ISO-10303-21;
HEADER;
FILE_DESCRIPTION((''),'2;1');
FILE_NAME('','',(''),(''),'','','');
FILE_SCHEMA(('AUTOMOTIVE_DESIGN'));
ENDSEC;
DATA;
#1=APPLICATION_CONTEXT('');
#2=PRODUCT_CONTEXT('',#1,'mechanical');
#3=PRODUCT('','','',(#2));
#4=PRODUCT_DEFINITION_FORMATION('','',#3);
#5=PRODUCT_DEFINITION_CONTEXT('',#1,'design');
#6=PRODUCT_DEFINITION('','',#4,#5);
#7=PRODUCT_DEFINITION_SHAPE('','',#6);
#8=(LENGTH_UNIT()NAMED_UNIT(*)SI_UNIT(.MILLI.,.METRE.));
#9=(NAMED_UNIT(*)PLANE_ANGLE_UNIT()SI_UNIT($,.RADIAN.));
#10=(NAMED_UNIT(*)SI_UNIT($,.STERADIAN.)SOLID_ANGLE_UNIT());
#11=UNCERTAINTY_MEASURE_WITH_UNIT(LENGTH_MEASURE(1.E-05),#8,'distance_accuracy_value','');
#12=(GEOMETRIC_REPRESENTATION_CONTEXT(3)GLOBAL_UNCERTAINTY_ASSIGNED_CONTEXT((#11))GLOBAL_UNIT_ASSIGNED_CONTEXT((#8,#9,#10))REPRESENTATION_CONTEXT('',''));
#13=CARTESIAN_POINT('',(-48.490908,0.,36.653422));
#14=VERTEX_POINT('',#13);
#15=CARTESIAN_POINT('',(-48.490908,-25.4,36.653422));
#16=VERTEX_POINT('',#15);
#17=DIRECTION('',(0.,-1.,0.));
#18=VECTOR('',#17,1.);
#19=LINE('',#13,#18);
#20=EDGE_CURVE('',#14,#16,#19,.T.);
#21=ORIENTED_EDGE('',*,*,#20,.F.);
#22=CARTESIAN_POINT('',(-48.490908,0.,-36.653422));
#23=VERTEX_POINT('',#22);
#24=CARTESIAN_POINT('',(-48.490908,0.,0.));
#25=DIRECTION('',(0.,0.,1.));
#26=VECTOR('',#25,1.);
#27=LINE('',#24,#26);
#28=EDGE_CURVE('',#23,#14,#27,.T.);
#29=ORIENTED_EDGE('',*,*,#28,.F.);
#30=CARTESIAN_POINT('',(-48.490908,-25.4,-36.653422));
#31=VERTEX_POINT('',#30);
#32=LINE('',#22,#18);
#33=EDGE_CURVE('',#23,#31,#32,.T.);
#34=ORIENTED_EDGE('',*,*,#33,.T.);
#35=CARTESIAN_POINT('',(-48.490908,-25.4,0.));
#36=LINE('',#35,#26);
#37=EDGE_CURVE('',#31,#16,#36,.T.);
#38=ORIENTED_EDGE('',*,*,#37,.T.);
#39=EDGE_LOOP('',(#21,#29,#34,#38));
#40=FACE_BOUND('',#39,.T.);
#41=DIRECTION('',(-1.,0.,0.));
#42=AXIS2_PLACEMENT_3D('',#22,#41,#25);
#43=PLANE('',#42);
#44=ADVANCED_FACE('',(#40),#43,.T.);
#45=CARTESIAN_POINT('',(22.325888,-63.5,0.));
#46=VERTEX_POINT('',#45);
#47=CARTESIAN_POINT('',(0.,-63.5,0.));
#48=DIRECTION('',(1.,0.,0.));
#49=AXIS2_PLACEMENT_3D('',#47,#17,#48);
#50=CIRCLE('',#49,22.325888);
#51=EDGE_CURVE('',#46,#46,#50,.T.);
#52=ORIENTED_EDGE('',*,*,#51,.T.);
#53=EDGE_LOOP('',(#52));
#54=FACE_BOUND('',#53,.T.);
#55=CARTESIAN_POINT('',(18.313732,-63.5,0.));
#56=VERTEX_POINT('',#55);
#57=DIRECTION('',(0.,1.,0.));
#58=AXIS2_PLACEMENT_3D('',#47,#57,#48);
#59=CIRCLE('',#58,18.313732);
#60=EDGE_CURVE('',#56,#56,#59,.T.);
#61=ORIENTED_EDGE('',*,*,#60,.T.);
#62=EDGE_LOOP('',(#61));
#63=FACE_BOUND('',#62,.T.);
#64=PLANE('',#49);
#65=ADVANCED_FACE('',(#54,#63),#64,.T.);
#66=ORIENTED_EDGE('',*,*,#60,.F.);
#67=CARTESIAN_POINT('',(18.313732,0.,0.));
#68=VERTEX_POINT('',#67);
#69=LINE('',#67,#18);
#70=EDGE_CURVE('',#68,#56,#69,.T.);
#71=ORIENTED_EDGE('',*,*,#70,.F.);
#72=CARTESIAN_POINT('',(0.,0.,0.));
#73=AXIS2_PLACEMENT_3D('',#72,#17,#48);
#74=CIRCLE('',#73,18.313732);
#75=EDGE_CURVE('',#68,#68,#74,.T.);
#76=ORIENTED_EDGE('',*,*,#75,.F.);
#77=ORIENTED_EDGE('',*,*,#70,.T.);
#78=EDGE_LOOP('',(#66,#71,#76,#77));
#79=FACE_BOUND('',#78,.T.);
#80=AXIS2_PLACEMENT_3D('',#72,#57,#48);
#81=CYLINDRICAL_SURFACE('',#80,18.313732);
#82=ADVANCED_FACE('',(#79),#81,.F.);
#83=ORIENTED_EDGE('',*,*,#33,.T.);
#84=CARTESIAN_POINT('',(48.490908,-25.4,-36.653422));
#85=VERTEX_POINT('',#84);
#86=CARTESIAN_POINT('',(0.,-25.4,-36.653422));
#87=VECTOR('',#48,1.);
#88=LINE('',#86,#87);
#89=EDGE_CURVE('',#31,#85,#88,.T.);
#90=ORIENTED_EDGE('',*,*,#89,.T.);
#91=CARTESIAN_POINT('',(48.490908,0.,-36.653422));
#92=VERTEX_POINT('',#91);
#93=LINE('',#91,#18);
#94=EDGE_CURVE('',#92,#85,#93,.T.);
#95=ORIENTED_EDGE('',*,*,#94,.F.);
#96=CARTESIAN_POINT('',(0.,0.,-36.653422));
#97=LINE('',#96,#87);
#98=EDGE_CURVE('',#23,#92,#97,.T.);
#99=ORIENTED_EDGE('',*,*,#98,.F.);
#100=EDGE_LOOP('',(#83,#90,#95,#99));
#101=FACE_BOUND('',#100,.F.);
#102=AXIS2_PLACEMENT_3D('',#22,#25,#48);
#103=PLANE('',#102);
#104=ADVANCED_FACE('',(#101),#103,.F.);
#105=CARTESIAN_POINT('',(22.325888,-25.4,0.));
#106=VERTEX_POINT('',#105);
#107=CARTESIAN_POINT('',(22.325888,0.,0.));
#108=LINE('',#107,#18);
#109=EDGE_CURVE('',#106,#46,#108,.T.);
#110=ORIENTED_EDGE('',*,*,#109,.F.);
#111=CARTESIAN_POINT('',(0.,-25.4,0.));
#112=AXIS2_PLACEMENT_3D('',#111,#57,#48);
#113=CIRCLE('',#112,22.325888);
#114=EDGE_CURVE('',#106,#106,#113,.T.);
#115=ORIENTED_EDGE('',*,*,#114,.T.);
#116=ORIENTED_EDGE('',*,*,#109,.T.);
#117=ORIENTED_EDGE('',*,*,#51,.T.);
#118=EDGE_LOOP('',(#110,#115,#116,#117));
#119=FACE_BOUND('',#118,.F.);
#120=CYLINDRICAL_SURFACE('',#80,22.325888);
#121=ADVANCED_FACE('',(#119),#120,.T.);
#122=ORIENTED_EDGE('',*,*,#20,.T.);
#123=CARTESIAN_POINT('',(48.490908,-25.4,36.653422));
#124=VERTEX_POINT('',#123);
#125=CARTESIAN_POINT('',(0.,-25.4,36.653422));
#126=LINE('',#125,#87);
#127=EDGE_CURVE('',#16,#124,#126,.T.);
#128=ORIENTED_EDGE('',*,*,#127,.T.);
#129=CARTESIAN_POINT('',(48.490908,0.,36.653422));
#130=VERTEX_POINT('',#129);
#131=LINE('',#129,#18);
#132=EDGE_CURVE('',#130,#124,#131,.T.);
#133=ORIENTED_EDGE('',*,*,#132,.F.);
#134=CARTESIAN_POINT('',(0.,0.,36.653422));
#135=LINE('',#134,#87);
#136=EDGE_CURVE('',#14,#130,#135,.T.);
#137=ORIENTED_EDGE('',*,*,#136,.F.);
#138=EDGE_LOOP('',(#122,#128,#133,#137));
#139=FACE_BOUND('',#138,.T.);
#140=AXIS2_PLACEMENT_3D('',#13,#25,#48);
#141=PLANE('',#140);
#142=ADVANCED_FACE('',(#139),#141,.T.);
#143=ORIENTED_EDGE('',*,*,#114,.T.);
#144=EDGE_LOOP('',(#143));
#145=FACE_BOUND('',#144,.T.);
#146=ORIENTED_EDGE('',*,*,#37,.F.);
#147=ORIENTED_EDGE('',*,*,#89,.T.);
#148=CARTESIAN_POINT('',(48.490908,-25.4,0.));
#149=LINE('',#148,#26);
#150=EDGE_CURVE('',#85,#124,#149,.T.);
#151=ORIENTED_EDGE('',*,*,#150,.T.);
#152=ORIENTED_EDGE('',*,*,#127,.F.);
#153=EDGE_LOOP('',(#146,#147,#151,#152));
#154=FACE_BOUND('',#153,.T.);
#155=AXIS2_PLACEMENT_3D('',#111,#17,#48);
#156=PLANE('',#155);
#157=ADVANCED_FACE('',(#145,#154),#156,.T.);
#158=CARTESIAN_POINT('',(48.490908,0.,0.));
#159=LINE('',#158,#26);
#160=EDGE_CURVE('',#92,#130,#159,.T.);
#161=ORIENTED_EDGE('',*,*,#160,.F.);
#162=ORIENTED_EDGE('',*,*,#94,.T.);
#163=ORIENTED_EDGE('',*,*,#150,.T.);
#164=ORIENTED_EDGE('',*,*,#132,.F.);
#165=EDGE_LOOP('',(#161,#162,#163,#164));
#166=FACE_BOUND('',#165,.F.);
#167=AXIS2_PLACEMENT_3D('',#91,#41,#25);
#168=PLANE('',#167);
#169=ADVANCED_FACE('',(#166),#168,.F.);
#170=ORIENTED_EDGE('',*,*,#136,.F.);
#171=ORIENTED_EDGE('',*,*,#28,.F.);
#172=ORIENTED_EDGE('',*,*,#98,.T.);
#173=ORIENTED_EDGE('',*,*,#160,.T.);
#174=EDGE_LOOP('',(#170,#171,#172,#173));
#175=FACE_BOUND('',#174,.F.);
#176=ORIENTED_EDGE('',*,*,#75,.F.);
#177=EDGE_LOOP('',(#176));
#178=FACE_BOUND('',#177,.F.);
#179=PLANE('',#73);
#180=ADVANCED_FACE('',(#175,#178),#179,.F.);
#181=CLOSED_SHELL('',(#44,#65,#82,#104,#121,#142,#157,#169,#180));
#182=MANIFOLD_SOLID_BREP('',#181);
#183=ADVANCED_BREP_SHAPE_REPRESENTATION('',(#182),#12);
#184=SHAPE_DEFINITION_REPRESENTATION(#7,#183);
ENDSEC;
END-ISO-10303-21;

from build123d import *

# Parameters (mm, degrees)
F0_W     = 96.981816
F0_H     = 73.306844
F3_DEPTH = 25.4
F1_R     = 22.325888
F4_DEPTH = 63.5
F2_R     = 18.313732
F5_DEPTH = 63.501


with BuildPart() as f3:
    # F0 (on Front) → F3 (new body)
    with BuildSketch(Plane.XZ):
        Rectangle(F0_W, F0_H)
    extrude(amount=F3_DEPTH)

    # F1 (on face) → F4 (join)
    with BuildSketch(Plane.XZ):
        Circle(F1_R)
    extrude(amount=F4_DEPTH)

    # F2 (on face) → F5 (cut, through all)
    with BuildSketch(Plane.XZ):
        Circle(F2_R)
    extrude(amount=F5_DEPTH, mode=Mode.SUBTRACT)


solid = f3.part
